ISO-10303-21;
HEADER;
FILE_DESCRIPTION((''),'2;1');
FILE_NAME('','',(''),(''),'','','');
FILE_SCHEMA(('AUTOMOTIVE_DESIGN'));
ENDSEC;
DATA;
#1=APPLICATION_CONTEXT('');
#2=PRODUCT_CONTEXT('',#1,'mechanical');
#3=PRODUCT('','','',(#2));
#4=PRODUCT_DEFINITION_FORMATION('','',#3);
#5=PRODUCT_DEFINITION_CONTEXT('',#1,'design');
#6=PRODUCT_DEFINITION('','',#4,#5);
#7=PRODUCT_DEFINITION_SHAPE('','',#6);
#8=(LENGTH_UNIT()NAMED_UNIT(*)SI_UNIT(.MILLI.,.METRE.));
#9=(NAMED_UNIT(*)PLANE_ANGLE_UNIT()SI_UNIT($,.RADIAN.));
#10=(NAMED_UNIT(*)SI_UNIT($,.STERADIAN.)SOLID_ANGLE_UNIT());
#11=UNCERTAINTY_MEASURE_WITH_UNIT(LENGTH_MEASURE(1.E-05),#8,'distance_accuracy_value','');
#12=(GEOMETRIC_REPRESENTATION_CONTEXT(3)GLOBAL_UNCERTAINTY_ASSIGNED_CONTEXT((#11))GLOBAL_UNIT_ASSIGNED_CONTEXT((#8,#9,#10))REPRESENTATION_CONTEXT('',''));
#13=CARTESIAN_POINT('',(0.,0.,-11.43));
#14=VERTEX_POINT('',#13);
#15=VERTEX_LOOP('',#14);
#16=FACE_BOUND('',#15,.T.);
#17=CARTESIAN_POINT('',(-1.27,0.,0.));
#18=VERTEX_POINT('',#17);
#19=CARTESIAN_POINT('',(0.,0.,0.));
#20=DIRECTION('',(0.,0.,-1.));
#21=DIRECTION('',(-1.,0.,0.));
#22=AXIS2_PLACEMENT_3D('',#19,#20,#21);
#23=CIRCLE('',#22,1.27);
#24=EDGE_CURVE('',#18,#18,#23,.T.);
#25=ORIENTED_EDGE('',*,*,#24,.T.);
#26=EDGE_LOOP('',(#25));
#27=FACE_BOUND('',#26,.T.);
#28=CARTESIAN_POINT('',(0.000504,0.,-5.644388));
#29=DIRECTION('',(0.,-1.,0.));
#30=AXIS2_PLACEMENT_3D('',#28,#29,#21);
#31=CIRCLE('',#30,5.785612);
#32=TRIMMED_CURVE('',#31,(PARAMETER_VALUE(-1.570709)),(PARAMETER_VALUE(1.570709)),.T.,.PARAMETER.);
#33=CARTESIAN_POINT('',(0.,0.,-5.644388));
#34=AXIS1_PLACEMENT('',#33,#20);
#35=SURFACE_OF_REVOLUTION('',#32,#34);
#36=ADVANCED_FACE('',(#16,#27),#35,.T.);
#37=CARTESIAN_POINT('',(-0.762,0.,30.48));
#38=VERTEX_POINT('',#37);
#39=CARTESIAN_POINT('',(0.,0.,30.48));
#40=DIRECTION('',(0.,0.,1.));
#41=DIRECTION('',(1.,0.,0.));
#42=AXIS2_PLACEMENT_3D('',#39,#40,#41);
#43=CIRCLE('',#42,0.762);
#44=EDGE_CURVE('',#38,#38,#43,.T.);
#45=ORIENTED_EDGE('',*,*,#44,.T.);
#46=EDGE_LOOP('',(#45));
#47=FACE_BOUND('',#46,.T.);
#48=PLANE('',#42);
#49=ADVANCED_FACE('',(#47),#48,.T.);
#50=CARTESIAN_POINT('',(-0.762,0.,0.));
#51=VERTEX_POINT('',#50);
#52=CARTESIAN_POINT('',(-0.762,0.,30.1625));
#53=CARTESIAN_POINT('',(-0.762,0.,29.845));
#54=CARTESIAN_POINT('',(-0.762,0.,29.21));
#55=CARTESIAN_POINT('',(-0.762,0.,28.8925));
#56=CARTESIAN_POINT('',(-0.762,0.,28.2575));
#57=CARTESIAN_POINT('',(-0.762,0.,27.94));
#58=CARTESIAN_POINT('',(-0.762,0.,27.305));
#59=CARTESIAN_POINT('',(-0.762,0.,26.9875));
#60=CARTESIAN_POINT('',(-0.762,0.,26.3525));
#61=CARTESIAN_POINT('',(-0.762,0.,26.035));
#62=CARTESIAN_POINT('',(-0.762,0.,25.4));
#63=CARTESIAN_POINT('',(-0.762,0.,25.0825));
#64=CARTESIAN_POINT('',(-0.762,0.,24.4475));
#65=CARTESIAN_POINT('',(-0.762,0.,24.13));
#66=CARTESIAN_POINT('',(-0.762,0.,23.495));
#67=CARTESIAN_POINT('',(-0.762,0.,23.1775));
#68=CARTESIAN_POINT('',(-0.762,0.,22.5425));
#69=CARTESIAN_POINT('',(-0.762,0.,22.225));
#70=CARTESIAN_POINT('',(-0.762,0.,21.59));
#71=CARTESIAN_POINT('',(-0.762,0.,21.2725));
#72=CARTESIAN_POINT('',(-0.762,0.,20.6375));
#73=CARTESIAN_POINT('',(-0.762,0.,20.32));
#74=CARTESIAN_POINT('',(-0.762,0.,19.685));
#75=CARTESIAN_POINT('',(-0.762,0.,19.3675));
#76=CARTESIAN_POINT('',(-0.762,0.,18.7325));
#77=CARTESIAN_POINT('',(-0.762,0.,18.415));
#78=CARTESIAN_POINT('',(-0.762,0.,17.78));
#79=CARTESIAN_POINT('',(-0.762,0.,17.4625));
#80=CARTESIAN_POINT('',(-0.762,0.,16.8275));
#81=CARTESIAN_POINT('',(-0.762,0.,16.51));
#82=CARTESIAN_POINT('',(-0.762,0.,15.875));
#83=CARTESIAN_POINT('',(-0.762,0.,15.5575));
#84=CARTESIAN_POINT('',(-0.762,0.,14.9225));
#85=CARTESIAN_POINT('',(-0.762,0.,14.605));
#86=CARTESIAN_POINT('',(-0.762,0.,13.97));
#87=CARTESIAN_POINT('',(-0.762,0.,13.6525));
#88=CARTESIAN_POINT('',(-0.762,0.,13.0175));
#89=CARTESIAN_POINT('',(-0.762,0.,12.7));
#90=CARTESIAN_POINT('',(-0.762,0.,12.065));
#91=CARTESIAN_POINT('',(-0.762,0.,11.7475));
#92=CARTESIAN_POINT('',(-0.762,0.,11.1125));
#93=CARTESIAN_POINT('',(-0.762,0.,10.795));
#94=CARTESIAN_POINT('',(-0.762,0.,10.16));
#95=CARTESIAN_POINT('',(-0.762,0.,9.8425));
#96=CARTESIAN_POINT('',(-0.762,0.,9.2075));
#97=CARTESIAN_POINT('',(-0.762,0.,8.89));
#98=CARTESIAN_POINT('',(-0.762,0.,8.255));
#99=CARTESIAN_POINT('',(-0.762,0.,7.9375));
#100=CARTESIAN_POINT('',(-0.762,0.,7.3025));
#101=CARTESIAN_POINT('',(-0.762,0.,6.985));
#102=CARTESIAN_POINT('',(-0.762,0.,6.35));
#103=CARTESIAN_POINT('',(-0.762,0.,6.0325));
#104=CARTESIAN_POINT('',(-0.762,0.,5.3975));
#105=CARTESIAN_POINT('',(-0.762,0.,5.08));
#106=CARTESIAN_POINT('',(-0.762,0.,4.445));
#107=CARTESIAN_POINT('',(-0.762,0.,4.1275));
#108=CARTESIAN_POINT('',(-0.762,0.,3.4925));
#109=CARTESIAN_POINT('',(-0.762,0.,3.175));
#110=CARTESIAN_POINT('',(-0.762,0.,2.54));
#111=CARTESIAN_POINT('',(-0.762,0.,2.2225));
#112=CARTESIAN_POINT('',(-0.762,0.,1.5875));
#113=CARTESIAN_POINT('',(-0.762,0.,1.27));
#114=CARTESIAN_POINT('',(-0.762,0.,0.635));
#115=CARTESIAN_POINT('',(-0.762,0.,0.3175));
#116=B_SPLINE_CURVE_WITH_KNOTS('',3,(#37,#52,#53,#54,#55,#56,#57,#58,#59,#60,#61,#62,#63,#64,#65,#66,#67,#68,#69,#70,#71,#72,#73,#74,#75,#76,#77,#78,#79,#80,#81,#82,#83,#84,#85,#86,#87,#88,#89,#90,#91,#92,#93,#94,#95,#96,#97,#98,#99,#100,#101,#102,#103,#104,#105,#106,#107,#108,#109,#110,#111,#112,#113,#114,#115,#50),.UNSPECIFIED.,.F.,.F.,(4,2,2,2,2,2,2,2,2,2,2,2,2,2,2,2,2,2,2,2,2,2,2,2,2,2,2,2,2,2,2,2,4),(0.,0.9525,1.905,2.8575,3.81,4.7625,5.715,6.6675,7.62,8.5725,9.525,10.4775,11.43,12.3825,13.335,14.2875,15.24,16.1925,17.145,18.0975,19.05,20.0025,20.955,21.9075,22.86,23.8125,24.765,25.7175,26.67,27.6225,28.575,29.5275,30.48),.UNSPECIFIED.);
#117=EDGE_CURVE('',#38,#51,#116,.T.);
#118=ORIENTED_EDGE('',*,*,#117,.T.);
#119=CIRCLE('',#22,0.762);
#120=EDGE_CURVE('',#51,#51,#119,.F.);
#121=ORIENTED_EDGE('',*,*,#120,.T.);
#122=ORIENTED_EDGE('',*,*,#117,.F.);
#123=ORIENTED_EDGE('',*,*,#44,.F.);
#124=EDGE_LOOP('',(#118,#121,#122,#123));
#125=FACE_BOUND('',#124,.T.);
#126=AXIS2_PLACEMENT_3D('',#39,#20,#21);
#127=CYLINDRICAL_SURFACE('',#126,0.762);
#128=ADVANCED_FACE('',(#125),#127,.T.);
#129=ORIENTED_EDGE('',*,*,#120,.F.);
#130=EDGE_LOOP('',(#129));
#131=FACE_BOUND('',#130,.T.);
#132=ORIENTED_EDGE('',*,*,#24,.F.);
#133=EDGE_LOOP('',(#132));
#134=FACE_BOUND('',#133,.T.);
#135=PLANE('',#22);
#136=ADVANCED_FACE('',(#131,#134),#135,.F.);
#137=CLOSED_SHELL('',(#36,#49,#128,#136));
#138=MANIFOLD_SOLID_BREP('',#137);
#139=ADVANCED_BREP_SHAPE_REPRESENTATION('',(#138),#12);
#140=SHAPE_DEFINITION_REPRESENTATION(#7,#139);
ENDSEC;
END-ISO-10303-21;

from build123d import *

# Parameters (mm, degrees)
SKETCH7_R           = 0.762
BOSS_EXTRUDE2_DEPTH = 30.48


with BuildPart() as part:
    # Sketch5 → Revolve9 (revolve)
    with BuildSketch(Plane(origin=(0, 0, 0), x_dir=(1, 0, 0), z_dir=(0, 1, 0))):
        with BuildLine():
            Line((0, 0), (1.27, 0))
            ThreePointArc((1.27, 0), (5.749721549, 6.283302394), (0, 11.43))
            Line((0, 11.43), (0, 0))
        make_face()
    revolve(axis=Axis((0, 0, -5.46059101), (0, 0, 1)))

    # Sketch7 → Boss-Extrude2 (add)
    with BuildSketch(Plane.XY):
        with Locations(Location((0, 0, 0), (0, 0, 180))):
            Circle(SKETCH7_R)
    extrude(amount=BOSS_EXTRUDE2_DEPTH)


solid = part.part
